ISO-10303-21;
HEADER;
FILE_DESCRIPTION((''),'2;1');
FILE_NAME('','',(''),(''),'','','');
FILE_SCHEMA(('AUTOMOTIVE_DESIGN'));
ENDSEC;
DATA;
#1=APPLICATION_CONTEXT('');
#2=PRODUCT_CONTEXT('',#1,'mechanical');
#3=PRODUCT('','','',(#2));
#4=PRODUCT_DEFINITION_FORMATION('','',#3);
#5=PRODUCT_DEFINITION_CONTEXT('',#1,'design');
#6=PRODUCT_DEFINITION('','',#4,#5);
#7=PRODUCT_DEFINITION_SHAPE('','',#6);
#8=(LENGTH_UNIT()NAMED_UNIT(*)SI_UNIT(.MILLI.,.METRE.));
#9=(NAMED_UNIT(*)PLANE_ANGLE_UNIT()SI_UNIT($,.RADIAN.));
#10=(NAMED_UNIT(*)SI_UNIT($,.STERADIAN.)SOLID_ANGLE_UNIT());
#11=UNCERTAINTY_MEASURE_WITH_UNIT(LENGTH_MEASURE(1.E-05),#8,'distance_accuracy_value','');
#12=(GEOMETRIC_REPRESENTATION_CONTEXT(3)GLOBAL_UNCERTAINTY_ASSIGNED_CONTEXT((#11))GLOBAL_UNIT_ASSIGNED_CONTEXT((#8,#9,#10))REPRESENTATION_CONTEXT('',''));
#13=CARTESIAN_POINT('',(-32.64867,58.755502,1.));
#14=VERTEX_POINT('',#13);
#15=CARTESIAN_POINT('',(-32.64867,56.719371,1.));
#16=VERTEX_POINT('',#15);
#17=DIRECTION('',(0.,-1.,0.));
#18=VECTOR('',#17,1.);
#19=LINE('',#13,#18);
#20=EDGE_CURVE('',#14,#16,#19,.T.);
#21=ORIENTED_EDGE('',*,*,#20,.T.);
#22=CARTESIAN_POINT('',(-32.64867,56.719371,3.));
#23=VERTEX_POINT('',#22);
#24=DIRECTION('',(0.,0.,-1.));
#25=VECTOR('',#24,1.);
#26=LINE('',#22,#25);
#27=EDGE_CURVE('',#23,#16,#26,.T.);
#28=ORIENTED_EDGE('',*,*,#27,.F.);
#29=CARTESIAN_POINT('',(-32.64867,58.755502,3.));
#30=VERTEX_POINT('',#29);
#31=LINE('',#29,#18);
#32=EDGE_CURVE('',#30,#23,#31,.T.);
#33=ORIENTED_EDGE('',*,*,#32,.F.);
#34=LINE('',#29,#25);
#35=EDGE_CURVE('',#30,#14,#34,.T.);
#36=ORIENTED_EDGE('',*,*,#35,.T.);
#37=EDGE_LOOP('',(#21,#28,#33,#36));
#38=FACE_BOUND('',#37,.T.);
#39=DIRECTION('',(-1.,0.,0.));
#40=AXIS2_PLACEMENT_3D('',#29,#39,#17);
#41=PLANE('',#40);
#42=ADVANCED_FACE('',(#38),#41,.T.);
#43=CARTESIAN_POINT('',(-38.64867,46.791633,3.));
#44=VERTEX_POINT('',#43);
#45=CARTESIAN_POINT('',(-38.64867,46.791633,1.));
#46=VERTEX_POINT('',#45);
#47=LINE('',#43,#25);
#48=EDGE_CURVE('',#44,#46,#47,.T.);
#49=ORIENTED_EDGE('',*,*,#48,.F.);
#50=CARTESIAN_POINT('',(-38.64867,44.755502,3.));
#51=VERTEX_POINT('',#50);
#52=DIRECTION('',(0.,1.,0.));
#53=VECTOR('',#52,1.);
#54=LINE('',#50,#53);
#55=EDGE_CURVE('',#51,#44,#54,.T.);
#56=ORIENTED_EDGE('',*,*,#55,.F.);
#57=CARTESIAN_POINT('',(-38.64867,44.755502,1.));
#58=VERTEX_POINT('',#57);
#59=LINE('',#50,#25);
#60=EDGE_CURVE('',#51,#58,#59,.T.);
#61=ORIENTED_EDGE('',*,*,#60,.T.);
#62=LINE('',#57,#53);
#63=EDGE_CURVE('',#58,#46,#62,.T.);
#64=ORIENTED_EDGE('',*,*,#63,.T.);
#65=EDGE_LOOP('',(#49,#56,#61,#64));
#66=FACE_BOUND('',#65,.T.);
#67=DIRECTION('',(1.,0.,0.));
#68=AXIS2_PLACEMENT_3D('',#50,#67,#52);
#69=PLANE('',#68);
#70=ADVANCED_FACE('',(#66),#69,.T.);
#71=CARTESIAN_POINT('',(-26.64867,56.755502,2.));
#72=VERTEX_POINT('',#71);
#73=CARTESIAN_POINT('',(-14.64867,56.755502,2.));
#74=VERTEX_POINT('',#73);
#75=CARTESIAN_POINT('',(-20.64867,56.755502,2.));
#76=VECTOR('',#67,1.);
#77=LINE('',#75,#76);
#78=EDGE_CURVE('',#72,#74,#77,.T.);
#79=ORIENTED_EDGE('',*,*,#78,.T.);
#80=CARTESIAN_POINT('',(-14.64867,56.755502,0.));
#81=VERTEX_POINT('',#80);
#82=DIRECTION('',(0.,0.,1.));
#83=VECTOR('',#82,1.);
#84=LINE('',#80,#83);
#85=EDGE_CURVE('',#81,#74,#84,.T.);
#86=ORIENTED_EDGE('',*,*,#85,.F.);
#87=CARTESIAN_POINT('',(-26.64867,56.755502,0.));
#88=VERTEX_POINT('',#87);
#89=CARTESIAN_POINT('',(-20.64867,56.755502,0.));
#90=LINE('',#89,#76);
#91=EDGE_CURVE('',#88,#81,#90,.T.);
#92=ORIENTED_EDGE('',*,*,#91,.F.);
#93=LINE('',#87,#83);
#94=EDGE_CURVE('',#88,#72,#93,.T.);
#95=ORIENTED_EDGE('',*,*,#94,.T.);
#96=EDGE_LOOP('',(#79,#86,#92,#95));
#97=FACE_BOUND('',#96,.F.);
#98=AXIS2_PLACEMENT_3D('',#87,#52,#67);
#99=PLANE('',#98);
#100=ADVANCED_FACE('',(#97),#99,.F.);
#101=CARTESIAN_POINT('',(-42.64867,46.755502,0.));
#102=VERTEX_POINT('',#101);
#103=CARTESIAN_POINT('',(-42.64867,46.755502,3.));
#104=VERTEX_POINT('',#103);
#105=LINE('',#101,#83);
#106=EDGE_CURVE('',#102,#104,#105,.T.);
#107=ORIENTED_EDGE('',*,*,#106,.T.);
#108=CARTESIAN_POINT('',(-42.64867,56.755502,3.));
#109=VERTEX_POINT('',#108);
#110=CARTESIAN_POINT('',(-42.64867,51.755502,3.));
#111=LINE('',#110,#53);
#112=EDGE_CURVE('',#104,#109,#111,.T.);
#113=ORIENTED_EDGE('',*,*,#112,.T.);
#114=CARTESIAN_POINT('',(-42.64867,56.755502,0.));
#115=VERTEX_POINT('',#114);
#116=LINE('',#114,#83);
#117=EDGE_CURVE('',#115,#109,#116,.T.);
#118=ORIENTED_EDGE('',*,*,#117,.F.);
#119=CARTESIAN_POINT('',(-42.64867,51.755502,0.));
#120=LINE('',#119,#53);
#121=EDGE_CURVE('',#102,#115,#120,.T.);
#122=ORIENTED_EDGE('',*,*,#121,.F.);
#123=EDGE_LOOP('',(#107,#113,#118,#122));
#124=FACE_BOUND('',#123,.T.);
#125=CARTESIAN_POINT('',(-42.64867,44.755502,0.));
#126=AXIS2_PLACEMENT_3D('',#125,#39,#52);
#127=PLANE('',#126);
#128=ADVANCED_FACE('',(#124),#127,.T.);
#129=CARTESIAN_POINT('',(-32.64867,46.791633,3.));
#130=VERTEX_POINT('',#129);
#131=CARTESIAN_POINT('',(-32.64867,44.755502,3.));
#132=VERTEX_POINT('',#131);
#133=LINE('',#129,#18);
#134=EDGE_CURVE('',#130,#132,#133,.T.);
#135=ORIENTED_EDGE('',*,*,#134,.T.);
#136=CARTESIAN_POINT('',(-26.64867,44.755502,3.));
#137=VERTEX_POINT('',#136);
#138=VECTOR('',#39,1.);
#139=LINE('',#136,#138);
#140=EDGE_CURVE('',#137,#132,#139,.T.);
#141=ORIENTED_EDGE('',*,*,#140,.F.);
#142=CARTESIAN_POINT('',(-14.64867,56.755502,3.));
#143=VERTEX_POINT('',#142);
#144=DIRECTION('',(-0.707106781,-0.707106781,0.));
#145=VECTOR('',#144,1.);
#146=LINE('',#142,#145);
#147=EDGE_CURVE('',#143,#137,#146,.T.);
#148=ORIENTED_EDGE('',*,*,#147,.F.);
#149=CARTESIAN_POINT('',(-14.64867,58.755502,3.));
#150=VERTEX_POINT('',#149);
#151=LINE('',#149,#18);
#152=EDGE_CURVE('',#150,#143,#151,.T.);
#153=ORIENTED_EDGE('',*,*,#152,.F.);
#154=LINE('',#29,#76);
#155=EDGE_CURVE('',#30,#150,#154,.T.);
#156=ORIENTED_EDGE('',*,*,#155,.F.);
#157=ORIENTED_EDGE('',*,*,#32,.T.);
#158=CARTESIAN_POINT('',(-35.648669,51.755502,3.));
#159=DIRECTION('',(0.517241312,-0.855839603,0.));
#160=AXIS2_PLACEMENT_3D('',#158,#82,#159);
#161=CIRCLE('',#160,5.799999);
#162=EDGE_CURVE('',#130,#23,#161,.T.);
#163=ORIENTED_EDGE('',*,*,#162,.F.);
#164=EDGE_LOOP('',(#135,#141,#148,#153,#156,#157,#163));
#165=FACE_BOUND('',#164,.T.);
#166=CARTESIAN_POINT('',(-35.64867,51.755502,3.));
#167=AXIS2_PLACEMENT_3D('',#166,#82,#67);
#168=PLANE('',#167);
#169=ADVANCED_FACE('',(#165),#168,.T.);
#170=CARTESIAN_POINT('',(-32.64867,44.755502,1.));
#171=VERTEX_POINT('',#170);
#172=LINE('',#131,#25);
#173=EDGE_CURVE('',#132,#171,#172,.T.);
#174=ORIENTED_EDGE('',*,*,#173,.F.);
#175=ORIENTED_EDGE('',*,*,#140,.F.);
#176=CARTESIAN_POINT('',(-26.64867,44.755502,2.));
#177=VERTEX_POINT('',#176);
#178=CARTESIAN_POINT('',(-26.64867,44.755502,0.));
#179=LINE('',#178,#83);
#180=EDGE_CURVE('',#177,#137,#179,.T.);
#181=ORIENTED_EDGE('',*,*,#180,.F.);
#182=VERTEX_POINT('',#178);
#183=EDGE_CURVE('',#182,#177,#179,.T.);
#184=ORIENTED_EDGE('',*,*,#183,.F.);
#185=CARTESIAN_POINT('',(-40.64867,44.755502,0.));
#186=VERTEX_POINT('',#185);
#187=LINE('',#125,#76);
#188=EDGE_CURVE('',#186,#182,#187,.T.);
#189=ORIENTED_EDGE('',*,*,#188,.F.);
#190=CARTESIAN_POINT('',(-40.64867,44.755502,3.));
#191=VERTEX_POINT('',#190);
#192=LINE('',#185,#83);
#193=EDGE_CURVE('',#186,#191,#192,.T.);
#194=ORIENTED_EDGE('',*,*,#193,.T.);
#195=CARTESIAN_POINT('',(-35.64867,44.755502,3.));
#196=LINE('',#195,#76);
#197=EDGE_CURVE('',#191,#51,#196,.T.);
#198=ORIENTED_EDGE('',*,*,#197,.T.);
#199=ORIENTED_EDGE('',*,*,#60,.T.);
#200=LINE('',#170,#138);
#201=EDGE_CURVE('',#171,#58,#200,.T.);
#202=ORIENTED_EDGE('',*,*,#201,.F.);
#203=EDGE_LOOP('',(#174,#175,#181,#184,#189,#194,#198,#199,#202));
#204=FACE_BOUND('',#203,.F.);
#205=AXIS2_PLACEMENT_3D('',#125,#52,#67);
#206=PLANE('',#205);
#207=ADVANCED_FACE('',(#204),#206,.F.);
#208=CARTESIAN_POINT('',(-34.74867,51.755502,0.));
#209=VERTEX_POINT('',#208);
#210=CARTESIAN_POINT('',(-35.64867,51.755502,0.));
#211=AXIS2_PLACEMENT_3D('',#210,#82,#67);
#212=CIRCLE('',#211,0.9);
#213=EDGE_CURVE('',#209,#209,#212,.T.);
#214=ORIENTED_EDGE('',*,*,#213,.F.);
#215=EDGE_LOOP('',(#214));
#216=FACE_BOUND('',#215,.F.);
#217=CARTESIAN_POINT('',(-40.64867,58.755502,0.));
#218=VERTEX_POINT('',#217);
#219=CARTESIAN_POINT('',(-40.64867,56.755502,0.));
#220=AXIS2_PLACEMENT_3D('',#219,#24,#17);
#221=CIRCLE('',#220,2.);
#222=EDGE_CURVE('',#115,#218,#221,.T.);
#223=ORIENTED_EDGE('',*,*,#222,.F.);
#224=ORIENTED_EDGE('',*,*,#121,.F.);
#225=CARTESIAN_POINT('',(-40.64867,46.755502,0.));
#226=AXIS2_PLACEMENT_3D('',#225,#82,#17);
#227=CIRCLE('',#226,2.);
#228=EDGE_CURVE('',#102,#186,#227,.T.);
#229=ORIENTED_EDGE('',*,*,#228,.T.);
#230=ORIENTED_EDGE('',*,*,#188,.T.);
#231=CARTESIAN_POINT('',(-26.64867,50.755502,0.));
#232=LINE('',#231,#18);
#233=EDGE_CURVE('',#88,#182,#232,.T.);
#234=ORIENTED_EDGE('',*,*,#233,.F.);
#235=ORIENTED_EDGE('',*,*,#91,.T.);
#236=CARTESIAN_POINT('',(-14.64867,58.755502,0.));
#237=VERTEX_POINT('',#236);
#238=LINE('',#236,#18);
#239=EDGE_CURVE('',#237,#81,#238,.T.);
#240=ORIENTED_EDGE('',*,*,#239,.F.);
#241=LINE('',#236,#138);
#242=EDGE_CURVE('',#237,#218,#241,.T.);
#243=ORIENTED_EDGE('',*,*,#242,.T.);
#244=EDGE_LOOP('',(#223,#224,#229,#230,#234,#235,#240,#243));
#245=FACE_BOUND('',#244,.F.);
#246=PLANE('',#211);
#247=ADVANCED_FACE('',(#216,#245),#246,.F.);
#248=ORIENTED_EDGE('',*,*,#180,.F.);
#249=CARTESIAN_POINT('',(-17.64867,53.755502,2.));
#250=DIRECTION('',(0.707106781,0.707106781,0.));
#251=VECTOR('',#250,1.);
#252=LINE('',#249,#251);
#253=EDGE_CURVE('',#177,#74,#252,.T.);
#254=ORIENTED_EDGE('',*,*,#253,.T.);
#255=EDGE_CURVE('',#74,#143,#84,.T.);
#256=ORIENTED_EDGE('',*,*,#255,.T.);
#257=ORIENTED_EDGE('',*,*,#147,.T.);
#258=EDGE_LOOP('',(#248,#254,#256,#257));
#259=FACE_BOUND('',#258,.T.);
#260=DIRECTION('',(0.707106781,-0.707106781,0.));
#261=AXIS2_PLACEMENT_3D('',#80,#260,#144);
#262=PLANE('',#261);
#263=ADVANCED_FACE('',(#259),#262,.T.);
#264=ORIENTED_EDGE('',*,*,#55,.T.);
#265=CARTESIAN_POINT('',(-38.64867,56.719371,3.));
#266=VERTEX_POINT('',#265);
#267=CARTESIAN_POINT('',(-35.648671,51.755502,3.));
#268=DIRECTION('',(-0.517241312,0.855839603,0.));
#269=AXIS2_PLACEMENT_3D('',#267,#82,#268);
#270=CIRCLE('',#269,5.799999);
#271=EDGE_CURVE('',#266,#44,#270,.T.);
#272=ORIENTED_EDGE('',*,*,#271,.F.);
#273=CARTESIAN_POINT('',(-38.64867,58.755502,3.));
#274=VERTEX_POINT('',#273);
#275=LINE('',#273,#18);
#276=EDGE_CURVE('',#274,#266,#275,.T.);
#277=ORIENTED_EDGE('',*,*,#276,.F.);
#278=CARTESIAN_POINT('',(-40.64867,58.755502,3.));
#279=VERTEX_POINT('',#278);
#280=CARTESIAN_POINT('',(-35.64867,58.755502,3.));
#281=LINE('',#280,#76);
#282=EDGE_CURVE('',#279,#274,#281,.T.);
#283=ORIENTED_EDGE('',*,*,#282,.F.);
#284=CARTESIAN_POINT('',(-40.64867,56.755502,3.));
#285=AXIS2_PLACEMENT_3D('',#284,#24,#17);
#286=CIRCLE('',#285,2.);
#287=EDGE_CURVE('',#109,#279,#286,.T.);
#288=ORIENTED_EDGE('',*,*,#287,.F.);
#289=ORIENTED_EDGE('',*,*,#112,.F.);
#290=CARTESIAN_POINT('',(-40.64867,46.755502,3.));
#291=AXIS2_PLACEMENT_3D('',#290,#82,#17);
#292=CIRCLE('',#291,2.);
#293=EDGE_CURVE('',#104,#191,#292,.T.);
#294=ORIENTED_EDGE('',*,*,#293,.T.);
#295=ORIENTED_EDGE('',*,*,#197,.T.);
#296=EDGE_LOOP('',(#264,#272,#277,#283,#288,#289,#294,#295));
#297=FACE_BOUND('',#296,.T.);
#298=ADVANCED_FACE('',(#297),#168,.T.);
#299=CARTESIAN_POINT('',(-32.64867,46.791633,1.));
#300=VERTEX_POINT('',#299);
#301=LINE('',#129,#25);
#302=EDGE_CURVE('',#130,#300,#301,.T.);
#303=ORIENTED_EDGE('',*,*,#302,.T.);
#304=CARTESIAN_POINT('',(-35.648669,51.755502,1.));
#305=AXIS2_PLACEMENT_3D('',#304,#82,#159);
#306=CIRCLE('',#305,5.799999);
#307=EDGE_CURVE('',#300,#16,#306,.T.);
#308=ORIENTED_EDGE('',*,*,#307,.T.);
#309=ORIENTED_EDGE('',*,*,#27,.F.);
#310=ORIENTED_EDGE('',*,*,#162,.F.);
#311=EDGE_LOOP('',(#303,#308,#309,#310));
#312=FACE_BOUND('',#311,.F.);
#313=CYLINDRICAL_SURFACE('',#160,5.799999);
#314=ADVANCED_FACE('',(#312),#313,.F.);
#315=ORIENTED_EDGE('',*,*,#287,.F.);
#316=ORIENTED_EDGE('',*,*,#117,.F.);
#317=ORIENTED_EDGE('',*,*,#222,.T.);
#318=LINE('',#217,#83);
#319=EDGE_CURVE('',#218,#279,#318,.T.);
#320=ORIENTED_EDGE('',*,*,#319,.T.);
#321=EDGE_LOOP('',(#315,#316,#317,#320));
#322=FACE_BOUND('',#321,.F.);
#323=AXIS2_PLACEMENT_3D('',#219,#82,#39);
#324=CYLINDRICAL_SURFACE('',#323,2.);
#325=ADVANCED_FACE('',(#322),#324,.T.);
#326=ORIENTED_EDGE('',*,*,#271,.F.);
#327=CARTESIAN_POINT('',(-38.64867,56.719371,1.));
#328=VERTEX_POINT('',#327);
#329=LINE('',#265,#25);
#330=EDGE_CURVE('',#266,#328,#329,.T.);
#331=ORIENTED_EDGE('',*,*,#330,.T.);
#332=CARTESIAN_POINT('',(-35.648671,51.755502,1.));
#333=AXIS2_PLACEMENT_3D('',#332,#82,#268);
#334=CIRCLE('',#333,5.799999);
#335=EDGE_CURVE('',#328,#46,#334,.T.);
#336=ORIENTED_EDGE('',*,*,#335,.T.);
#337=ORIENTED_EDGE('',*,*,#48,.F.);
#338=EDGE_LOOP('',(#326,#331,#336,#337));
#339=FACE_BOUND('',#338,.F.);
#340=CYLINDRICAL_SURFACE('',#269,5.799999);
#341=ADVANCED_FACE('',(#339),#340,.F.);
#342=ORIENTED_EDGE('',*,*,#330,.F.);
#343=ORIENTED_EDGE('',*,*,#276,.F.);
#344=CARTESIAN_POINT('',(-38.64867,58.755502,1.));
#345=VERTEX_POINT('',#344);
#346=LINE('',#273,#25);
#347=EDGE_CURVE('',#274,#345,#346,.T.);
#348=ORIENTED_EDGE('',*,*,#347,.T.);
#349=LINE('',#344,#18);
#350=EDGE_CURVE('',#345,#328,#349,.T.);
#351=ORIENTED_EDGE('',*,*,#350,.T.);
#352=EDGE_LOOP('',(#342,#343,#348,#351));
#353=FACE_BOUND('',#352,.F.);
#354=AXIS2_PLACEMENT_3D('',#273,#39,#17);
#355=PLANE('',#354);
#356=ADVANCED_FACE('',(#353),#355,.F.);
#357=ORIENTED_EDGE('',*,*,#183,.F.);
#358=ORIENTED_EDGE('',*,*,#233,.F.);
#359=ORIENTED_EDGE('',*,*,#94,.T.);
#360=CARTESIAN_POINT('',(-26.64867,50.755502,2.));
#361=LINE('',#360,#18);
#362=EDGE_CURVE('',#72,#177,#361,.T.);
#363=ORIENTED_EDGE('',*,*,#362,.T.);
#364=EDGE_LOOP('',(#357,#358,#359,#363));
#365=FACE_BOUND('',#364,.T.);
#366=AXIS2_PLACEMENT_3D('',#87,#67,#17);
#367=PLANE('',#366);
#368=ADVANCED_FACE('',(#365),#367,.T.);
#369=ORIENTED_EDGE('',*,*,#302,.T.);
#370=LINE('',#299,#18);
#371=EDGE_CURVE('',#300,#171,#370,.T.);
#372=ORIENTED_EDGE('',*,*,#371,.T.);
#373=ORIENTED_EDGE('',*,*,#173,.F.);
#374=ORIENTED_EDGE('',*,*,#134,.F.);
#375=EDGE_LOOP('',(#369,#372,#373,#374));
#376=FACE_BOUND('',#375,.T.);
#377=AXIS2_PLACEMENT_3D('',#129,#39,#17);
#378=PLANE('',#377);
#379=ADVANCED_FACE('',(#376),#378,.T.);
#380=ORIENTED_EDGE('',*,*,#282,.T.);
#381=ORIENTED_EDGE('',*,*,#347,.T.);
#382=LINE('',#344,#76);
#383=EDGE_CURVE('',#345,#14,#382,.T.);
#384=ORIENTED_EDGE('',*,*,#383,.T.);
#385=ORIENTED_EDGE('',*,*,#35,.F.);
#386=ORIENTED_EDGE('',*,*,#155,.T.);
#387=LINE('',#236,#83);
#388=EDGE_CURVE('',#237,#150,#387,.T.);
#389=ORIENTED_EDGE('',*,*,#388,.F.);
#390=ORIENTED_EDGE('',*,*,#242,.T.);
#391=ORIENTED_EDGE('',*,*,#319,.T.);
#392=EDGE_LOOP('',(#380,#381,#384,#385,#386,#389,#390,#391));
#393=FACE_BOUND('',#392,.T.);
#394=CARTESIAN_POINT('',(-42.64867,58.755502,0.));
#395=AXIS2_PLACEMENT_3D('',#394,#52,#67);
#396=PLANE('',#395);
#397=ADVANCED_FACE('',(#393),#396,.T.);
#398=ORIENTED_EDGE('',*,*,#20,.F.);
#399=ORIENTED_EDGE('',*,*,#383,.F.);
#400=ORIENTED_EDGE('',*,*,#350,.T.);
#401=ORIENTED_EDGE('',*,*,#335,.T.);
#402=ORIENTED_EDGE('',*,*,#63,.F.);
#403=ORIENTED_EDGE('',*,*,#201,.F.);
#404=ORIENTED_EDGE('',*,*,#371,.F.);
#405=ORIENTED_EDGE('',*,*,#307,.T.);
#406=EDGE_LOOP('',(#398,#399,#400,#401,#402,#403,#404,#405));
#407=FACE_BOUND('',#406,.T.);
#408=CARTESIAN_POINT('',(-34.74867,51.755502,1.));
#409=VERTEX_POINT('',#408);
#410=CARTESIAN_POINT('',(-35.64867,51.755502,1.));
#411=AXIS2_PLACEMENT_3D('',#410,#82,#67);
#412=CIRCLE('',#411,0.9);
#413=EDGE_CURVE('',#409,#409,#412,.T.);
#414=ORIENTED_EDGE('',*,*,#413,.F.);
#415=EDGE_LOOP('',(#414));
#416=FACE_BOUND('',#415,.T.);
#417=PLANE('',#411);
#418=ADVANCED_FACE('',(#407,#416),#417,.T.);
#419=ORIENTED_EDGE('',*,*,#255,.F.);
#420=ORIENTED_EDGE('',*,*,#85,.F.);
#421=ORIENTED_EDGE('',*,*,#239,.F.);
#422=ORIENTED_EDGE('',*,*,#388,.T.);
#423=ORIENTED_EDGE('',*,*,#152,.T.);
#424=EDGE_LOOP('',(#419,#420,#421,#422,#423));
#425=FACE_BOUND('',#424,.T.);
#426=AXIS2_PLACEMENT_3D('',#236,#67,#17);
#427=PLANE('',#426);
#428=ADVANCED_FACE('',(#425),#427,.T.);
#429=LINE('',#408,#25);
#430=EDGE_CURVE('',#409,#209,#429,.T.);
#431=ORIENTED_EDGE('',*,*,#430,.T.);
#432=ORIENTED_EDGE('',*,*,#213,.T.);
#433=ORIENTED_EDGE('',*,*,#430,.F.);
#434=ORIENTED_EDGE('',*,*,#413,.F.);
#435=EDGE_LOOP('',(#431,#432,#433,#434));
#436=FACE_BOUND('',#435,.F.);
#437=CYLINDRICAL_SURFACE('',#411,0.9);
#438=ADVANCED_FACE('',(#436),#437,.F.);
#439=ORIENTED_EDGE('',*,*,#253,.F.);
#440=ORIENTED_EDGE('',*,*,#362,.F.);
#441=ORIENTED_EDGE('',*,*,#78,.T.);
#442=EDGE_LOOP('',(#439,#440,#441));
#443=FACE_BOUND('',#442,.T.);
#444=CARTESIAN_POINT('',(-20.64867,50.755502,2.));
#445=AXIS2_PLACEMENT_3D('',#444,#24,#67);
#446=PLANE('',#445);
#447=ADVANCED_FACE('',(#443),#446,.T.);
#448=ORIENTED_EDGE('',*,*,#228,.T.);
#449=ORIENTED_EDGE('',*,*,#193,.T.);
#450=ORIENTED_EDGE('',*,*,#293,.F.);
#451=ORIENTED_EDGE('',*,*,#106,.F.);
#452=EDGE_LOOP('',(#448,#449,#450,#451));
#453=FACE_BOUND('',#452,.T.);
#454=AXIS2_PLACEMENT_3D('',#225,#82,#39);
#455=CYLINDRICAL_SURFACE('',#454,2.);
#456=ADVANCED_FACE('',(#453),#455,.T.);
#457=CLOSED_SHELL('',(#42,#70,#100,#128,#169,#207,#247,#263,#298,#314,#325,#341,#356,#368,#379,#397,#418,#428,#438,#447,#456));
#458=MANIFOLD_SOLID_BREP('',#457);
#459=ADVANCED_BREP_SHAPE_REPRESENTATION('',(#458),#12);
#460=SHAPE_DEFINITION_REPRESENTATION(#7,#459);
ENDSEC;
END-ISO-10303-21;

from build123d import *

# Parameters (mm, degrees)
SKETCH006_W     = 14
SKETCH006_H     = 14
PAD002_DEPTH    = 3
POCKET004_DEPTH = 2
SKETCH008_R     = 0.9
POCKET005_DEPTH = 1.001
PAD_DEPTH       = 3
SKETCH010_W     = 12
SKETCH010_H     = 12
POCKET_DEPTH    = 2
FILLET_R        = 2


with BuildPart() as pushpin_unit:
    # Sketch006 → Pad002 (new body)
    with BuildSketch(Plane.XY):
        Rectangle(SKETCH006_W, SKETCH006_H)
    extrude(amount=PAD002_DEPTH)

    # Sketch007 → Pocket004 (cut)
    with BuildSketch(Plane.XY.offset(3)):
        with BuildLine():
            Line((-3, 7), (-3, 4.963869))
            ThreePointArc((-3, 4.963869), (-5.8, 0), (-3, -4.963869))
            Line((-3, -7), (-3, -4.963869))
            Line((3, -7), (-3, -7))
            Line((3, -4.963869), (3, -7))
            ThreePointArc((3, -4.963869), (5.8, 0), (3, 4.963869))
            Line((3, 7), (3, 4.963869))
            Line((-3, 7), (3, 7))
        make_face()
    extrude(amount=-POCKET004_DEPTH, mode=Mode.SUBTRACT)

    # Sketch008 → Pocket005 (cut, through all)
    with BuildSketch(Plane.XY.offset(1)):
        Circle(SKETCH008_R)
    extrude(amount=-POCKET005_DEPTH, mode=Mode.SUBTRACT)


with BuildPart() as corner_holder_single:
    # Sketch → Pad (new body)
    with BuildSketch(Plane.XY):
        Polygon((-7, -7), (-7, 7), (7, 7), (7, 5), (-5, -7), align=None)
    extrude(amount=PAD_DEPTH)

    # Sketch010 → Pocket (cut)
    with BuildSketch(Plane(origin=(0, 0, 0), x_dir=(1, 0, 0), z_dir=(0, 0, -1))):
        with Locations((1, 1)):
            Rectangle(SKETCH010_W, SKETCH010_H)
    extrude(amount=-POCKET_DEPTH, mode=Mode.SUBTRACT)


with BuildPart() as corner_holder_single_1:
    # Clone placement: moved
    add(corner_holder_single.part.moved(Location((14, 0, 0))))

    # Fusion: union pushpin-unit
    add(pushpin_unit.part)

    # Fillet
    fillet_edges = [corner_holder_single_1.edges().sort_by_distance(p)[0] for p in [
        (-7, -7, 1.5),
        (-7, 7, 1.5),
    ]]
    fillet(fillet_edges, radius=FILLET_R)


with BuildPart() as corner_holder_single_2:
    # Clone001004 placement: moved
    add(corner_holder_single_1.part.moved(Location((-35.64867, 51.755502, 0))))


solid = corner_holder_single_2.part
